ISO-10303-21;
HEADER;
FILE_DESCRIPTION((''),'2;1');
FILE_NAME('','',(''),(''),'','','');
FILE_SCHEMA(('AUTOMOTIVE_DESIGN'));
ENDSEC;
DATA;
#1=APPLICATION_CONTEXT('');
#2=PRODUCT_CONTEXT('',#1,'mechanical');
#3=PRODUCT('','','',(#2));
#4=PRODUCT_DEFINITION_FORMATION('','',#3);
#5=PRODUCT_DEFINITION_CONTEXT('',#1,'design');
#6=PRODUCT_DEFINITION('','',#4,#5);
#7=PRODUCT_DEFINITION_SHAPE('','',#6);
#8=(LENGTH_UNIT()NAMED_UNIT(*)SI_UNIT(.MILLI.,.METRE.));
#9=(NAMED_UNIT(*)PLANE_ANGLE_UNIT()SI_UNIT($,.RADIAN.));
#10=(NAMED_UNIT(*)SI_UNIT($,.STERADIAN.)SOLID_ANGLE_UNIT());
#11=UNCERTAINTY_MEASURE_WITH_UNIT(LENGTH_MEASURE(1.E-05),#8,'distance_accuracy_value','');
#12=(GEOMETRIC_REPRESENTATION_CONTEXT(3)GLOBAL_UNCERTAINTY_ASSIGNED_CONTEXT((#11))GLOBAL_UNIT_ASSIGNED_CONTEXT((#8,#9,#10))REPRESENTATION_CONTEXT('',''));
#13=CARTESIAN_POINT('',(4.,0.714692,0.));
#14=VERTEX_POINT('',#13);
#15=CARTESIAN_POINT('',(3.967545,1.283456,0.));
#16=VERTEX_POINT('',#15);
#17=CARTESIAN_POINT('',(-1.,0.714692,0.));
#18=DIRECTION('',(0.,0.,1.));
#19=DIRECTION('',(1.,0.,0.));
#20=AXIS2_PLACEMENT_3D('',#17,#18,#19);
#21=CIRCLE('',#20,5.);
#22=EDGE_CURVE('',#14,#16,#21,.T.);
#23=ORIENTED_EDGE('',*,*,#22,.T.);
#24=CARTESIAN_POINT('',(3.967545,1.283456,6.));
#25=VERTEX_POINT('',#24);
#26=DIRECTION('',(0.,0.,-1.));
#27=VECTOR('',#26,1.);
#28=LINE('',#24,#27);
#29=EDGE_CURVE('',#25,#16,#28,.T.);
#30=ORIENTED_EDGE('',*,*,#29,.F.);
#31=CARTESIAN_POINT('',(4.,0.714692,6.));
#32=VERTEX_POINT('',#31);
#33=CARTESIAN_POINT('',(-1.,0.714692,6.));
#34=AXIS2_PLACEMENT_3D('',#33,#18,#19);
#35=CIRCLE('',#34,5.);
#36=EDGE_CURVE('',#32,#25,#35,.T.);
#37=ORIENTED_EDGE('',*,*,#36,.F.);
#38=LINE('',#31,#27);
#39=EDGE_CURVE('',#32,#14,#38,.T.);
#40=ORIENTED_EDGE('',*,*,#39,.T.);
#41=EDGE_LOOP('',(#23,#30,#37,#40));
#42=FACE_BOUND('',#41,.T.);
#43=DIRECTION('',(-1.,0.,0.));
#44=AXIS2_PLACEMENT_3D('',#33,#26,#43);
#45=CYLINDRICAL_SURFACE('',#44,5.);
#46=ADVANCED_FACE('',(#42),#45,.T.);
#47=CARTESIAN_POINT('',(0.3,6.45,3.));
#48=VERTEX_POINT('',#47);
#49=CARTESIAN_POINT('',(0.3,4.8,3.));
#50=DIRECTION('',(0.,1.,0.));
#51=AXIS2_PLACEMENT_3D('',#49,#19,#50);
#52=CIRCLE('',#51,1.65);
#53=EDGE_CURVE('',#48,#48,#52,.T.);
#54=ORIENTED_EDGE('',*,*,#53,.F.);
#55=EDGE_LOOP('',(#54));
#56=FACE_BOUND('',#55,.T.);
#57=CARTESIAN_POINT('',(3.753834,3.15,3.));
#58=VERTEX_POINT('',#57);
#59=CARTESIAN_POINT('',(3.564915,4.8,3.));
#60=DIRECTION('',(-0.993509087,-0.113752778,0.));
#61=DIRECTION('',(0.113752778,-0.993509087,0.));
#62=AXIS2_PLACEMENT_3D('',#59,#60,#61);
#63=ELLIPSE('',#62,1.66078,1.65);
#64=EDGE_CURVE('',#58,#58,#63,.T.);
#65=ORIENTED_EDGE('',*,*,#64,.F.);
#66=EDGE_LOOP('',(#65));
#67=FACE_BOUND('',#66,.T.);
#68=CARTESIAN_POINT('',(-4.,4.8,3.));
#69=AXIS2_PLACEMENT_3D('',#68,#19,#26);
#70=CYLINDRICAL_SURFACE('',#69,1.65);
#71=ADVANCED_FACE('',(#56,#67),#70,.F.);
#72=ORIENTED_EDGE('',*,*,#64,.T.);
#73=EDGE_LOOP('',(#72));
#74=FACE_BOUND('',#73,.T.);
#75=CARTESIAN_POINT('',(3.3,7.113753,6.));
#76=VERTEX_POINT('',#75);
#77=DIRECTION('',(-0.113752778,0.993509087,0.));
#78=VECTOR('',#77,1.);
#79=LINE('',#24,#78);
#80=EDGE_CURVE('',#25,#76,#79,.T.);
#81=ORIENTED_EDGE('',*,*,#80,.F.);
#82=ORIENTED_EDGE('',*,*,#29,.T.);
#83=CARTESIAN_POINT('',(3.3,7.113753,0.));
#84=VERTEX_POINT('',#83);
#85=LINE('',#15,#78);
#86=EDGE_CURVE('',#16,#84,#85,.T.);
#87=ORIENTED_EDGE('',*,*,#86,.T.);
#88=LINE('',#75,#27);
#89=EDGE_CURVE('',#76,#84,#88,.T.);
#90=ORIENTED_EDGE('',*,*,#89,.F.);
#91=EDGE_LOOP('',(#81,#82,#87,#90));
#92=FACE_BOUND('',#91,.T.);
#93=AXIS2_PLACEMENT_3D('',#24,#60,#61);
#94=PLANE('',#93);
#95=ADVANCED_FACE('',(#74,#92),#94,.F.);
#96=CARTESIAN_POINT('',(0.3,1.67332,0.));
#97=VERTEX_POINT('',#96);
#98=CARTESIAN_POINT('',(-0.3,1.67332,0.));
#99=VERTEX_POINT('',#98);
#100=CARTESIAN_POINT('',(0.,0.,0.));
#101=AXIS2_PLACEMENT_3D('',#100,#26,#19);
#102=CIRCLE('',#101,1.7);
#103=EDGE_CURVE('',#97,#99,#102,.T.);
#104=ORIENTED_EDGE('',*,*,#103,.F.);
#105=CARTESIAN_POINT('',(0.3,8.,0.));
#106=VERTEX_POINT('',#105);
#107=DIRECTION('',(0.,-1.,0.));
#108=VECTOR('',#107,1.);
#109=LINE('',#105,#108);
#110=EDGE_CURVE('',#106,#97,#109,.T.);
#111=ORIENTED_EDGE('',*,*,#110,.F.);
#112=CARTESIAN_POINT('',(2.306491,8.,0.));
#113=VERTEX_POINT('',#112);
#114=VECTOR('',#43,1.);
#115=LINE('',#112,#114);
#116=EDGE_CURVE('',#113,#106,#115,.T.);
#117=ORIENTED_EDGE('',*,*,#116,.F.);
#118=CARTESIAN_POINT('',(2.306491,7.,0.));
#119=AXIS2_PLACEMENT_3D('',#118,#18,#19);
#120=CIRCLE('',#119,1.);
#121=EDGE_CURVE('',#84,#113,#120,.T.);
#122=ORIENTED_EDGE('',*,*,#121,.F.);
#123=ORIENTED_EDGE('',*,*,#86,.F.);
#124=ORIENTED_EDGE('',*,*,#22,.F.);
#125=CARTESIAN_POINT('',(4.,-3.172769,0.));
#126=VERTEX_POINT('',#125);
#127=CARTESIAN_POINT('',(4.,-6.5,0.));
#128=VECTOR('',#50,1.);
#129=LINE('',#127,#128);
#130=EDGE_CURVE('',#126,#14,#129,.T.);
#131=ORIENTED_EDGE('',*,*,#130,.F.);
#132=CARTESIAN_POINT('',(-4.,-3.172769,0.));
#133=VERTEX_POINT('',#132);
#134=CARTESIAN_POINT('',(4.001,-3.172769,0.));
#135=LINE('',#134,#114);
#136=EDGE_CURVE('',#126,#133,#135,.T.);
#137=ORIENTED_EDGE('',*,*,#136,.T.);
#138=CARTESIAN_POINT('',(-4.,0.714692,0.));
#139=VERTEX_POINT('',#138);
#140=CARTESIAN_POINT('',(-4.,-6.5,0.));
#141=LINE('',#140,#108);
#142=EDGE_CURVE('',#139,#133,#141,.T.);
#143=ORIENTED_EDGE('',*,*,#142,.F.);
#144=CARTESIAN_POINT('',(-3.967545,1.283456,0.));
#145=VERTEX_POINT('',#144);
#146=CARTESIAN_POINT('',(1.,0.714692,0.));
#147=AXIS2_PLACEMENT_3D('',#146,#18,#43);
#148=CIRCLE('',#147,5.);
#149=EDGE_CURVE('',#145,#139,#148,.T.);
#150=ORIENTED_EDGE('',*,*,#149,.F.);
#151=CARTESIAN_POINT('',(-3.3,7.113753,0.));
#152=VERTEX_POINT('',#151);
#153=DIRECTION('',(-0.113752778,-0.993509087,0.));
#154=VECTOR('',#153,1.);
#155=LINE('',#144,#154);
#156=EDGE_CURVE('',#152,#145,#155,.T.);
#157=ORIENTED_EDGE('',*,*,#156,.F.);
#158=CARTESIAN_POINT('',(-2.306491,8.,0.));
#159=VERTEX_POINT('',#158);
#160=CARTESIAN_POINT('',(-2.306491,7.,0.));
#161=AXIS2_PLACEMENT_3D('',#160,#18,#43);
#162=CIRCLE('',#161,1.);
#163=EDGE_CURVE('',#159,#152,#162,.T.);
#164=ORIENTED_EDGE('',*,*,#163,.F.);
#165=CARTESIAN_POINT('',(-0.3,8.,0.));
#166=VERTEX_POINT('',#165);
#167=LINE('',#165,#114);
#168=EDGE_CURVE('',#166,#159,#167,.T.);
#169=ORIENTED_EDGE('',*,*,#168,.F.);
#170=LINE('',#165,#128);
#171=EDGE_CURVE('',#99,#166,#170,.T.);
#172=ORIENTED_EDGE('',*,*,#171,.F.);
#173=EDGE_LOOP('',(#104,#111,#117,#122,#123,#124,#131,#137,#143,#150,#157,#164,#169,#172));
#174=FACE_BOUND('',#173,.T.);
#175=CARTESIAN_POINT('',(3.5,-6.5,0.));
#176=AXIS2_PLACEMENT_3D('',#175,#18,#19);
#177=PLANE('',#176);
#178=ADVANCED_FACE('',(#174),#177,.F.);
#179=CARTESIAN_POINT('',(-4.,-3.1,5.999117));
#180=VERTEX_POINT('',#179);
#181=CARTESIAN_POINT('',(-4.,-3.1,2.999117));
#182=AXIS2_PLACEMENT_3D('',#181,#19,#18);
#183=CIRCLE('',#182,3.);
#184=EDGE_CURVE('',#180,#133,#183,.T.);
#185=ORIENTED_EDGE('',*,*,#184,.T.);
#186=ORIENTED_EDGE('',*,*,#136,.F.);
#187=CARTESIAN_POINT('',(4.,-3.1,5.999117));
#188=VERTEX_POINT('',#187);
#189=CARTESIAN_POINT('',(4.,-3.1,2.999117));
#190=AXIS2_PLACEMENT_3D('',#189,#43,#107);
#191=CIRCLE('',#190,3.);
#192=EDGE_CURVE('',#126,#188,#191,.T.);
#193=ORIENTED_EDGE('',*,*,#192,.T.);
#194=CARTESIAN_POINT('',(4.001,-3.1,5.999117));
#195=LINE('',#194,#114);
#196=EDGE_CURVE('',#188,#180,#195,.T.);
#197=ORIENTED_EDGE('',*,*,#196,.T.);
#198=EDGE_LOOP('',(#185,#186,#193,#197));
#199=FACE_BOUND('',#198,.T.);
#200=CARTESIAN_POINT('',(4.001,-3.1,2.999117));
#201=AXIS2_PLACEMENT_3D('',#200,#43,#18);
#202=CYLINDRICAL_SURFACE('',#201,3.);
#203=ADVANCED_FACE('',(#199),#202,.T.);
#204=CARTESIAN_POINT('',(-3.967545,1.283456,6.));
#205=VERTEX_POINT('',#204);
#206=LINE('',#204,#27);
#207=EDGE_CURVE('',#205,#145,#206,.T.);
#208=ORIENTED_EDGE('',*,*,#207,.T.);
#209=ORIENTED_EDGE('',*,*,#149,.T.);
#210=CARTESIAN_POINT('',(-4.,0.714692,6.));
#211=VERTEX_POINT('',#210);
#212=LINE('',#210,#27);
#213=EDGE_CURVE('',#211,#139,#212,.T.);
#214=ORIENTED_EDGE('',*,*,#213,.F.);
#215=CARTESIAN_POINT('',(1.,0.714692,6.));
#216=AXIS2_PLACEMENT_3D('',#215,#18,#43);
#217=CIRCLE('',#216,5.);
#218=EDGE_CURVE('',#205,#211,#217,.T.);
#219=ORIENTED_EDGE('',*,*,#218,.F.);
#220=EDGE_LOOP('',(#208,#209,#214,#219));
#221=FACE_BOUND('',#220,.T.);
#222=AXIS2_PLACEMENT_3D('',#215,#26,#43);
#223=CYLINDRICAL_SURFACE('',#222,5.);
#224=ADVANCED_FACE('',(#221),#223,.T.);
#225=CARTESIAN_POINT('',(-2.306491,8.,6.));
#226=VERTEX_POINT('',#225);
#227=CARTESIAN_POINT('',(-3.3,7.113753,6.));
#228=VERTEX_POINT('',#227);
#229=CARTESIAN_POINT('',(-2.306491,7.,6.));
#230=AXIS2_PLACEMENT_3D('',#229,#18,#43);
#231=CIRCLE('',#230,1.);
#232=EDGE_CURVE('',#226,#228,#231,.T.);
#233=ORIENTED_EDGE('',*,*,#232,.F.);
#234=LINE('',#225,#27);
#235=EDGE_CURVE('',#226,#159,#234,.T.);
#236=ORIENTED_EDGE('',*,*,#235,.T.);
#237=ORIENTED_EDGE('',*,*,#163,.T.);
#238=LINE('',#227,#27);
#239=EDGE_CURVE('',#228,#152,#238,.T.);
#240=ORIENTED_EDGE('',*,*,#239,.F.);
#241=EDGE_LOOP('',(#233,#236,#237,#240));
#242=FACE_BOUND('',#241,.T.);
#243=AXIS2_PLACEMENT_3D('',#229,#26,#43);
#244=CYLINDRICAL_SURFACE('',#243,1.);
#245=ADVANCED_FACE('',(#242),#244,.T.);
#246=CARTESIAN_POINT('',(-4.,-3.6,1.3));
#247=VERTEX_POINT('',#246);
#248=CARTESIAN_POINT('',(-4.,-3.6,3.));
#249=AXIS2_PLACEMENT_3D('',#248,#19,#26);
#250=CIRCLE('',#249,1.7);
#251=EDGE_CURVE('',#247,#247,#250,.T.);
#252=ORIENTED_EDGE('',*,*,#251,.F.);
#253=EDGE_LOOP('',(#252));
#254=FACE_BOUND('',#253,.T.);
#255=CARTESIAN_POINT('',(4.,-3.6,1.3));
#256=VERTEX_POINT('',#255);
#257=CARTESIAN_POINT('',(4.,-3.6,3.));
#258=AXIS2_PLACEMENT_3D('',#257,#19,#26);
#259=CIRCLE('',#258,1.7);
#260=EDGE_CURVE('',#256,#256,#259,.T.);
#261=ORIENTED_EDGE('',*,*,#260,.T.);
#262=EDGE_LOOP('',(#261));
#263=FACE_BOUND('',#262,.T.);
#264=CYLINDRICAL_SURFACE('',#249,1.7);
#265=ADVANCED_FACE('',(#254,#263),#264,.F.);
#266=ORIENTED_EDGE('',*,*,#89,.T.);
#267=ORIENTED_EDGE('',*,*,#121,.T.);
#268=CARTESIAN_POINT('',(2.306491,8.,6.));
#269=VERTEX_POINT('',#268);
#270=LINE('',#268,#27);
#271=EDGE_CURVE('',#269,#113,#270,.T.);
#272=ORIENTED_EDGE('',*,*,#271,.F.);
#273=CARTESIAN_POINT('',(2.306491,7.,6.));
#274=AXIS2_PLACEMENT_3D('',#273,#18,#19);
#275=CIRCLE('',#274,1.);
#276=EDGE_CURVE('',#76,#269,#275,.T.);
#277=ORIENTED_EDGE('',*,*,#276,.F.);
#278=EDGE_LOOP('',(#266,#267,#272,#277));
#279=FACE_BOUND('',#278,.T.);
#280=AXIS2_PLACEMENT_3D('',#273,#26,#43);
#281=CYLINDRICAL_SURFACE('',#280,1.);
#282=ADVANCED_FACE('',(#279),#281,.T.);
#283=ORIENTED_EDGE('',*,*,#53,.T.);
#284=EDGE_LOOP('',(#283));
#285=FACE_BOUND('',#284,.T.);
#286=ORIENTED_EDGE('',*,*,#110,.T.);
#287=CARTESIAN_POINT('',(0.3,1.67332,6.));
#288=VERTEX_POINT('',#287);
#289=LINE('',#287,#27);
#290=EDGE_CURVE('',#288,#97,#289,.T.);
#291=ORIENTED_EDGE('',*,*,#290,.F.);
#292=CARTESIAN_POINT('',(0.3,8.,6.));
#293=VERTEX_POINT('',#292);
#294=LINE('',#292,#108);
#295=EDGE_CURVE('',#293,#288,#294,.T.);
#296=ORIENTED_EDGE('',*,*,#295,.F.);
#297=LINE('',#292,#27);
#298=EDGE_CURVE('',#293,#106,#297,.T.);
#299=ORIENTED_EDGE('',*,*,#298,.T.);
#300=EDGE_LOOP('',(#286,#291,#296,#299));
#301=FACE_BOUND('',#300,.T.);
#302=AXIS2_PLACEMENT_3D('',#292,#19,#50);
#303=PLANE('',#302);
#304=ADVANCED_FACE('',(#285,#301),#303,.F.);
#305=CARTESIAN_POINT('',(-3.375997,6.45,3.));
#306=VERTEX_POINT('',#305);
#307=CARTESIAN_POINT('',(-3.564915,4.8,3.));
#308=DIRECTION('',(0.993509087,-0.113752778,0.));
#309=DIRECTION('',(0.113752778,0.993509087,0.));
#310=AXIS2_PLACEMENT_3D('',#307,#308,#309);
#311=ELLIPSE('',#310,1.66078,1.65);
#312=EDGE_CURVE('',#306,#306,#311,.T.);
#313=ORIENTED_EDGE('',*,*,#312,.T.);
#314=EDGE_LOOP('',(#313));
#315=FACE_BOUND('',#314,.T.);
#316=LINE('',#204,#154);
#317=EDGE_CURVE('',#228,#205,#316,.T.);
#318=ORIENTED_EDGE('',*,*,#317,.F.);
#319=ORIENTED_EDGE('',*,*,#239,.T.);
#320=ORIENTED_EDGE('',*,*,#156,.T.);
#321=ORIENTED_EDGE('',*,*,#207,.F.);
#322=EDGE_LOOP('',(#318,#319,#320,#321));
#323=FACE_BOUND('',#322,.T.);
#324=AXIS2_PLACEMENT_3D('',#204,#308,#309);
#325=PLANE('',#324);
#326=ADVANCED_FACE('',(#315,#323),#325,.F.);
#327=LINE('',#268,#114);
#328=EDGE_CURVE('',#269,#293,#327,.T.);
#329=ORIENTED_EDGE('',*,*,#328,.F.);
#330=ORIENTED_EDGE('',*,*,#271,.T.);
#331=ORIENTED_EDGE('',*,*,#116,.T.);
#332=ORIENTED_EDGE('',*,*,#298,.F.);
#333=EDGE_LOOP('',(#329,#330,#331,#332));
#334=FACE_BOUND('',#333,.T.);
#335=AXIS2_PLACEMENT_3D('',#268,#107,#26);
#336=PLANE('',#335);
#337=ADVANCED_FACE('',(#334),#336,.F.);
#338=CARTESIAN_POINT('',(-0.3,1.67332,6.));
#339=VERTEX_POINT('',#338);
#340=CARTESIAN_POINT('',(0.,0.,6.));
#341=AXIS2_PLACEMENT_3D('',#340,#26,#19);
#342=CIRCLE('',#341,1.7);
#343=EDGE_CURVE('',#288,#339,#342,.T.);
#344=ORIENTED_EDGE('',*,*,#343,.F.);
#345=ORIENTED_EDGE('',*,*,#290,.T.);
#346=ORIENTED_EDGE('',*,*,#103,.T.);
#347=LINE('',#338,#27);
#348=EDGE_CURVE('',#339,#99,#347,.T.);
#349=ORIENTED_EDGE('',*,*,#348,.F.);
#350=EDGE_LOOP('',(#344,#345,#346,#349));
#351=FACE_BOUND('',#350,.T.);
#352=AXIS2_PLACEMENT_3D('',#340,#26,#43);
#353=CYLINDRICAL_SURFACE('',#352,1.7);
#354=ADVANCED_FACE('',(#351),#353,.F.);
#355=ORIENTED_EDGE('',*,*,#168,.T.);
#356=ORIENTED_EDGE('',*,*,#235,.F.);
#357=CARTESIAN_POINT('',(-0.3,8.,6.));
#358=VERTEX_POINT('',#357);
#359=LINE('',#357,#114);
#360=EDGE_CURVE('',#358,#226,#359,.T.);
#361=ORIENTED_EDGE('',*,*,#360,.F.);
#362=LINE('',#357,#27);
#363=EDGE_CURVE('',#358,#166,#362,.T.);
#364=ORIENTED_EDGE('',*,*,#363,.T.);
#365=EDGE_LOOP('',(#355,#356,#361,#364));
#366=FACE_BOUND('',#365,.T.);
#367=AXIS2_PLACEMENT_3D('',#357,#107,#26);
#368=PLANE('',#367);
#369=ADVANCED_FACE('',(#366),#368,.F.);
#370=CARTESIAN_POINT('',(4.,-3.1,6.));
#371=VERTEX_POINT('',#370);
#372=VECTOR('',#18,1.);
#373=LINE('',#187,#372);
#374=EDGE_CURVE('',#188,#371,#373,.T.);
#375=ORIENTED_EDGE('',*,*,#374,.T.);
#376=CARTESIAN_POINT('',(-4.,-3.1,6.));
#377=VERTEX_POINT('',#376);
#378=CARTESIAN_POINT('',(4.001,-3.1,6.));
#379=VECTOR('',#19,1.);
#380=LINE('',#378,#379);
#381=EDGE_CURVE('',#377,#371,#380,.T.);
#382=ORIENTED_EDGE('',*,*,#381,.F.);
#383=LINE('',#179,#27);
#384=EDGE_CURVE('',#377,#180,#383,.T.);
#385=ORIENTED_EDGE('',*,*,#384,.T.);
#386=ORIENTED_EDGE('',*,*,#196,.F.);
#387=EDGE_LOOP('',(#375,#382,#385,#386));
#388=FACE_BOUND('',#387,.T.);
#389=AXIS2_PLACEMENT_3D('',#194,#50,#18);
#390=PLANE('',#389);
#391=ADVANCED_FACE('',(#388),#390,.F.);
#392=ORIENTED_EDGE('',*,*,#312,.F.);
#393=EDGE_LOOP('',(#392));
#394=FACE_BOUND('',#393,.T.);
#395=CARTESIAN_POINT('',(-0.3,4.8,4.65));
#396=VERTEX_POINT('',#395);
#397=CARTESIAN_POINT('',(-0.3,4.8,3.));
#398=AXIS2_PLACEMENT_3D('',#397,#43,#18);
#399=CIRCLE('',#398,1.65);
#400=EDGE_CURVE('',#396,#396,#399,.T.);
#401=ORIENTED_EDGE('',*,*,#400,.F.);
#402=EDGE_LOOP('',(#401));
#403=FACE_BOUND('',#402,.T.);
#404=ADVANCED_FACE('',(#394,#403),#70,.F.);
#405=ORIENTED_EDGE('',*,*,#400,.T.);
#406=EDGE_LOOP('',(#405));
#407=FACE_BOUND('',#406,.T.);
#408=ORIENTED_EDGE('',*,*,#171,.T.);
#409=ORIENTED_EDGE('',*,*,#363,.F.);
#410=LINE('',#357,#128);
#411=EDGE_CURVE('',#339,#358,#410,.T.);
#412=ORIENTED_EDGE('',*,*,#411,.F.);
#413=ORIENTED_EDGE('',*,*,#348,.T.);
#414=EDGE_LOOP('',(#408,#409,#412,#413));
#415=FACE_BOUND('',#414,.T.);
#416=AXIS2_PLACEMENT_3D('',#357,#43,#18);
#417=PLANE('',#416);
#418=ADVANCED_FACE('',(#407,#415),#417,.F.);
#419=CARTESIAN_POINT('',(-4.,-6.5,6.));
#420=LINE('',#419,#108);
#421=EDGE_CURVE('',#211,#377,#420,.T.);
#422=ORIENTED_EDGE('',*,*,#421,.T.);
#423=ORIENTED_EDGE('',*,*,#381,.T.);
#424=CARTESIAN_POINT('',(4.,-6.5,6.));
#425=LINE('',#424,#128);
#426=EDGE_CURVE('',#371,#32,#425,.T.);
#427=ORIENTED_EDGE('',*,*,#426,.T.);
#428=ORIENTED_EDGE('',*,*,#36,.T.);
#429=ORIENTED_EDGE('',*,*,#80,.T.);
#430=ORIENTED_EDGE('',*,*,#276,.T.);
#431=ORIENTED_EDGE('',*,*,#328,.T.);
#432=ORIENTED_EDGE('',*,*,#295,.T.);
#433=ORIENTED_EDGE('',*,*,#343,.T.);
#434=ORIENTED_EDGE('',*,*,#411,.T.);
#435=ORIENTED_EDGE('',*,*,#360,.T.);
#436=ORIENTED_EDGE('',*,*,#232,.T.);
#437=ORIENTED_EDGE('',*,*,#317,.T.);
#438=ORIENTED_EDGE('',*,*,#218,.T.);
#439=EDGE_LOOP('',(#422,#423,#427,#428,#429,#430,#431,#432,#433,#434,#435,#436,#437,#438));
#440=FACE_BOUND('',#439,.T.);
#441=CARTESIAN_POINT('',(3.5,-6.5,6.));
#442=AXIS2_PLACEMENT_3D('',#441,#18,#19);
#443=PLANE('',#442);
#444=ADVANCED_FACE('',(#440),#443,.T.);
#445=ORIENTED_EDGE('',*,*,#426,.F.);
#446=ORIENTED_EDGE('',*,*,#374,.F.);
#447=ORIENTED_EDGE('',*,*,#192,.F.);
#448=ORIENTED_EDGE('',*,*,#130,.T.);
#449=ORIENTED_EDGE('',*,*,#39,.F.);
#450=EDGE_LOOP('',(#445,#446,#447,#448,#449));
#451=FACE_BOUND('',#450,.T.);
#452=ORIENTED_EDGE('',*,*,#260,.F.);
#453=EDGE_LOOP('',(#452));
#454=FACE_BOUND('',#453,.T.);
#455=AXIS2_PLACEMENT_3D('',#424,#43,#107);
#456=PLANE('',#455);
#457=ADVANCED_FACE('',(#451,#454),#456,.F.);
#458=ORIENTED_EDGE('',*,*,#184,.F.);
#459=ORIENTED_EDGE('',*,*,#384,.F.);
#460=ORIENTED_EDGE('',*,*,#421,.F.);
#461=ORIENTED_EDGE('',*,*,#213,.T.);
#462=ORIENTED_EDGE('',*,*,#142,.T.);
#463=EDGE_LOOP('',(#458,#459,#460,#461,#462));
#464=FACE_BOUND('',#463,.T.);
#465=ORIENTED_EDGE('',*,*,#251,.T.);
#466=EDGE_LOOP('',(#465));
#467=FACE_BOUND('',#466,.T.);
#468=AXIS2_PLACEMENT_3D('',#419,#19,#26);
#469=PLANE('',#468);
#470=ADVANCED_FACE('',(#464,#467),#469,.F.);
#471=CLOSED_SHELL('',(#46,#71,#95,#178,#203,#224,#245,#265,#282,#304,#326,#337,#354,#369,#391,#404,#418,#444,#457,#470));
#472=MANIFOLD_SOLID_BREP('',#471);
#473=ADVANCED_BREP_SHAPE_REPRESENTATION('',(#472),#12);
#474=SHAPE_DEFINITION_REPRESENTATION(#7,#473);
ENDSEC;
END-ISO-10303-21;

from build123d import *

# Parameters (mm, degrees)
EXTRUDE_1_DEPTH          = 6
SKETCH_2_R               = 1.7
CUT_EXTRUDE_1_DEPTH      = 13.806248475
CUT_EXTRUDE_2_DEPTH      = 11.770329614
CUT_EXTRUDE_2_DEPTH_BACK = 11.770329614
SKETCH_3_R               = 1.65
CUT_EXTRUDE_3_REACH      = 14.806


with BuildPart() as part:
    # 草图1 → 凸台-拉伸1 (new body)
    with BuildSketch(Plane.XY):
        with BuildLine():
            Line((-3.5, -7), (3.5, -7))
            ThreePointArc((3.5, -7), (3.853553391, -6.853553391), (4, -6.5))
            Line((4, -6.5), (4, 0.714692101))
            ThreePointArc((4, 0.714692101), (3.991879765, 0.999536647), (3.967545434, 1.28345599))
            Line((3.967545434, 1.28345599), (3.3, 7.113752778))
            ThreePointArc((3.3, 7.113752778), (2.972166218, 7.746241508), (2.306490913, 8))
            Line((2.306490913, 8), (0.3, 8))
            Line((0.3, 8), (0.3, 1.673320053))
            ThreePointArc((0.3, 1.673320053), (0, -1.7), (-0.3, 1.673320053))
            Line((-0.3, 1.673320053), (-0.3, 8))
            Line((-0.3, 8), (-2.306490913, 8))
            ThreePointArc((-2.306490913, 8), (-2.972166218, 7.746241508), (-3.3, 7.113752778))
            Line((-3.3, 7.113752778), (-3.967545434, 1.28345599))
            ThreePointArc((-3.967545434, 1.28345599), (-3.991879765, 0.999536647), (-4, 0.714692101))
            Line((-4, 0.714692101), (-4, -6.5))
            ThreePointArc((-4, -6.5), (-3.853553391, -6.853553391), (-3.5, -7))
        make_face()
    extrude(amount=EXTRUDE_1_DEPTH)

    # 草图2 → 切除-拉伸1 (cut, through all)
    with BuildSketch(Plane(origin=(4, 0, 0), x_dir=(0, 0, -1), z_dir=(1, 0, 0))):
        with Locations((-3, -3.6)):
            Circle(SKETCH_2_R)
    extrude(amount=-CUT_EXTRUDE_1_DEPTH, mode=Mode.SUBTRACT)

    # 草图3 → 切除-拉伸2 (cut, two sides: drawn at the far end of the back side and taken through both)
    with BuildSketch(Plane(origin=(0, 0, 0), x_dir=(0, 0, -1), z_dir=(1, 0, 0)).offset(-CUT_EXTRUDE_2_DEPTH_BACK)):
        with Locations(Location((-3, 4.8, 0), (0, 0, 90))):
            Circle(SKETCH_3_R)
    extrude(amount=CUT_EXTRUDE_2_DEPTH + CUT_EXTRUDE_2_DEPTH_BACK, mode=Mode.SUBTRACT)

    # 草图4 → 切除-拉伸3 (cut, up to next)
    with BuildSketch(Plane.ZY.offset(4), mode=Mode.PRIVATE) as cut_extrude_3_sk1:
        with BuildLine():
            Line((0, -3.172768856), (0, -9.012994764))
            Line((0, -9.012994764), (5.999117319, -9.012994764))
            Line((5.999117319, -9.012994764), (6.094166497, -9.012994764))
            Line((6.094166497, -9.012994764), (6.094166497, -3.1))
            Line((6.094166497, -3.1), (5.999117319, -3.1))
            ThreePointArc((5.999117319, -3.1), (3.035504424, -6.099779322), (0, -3.172768856))
        make_face()
    cut_extrude_3_tool1 = extrude(cut_extrude_3_sk1.sketch, amount=-CUT_EXTRUDE_3_REACH, mode=Mode.PRIVATE) & part.part
    add(cut_extrude_3_tool1.solids().sort_by_distance((-4, -7.143206, 3.078044))[0], mode=Mode.SUBTRACT)


solid = part.part
